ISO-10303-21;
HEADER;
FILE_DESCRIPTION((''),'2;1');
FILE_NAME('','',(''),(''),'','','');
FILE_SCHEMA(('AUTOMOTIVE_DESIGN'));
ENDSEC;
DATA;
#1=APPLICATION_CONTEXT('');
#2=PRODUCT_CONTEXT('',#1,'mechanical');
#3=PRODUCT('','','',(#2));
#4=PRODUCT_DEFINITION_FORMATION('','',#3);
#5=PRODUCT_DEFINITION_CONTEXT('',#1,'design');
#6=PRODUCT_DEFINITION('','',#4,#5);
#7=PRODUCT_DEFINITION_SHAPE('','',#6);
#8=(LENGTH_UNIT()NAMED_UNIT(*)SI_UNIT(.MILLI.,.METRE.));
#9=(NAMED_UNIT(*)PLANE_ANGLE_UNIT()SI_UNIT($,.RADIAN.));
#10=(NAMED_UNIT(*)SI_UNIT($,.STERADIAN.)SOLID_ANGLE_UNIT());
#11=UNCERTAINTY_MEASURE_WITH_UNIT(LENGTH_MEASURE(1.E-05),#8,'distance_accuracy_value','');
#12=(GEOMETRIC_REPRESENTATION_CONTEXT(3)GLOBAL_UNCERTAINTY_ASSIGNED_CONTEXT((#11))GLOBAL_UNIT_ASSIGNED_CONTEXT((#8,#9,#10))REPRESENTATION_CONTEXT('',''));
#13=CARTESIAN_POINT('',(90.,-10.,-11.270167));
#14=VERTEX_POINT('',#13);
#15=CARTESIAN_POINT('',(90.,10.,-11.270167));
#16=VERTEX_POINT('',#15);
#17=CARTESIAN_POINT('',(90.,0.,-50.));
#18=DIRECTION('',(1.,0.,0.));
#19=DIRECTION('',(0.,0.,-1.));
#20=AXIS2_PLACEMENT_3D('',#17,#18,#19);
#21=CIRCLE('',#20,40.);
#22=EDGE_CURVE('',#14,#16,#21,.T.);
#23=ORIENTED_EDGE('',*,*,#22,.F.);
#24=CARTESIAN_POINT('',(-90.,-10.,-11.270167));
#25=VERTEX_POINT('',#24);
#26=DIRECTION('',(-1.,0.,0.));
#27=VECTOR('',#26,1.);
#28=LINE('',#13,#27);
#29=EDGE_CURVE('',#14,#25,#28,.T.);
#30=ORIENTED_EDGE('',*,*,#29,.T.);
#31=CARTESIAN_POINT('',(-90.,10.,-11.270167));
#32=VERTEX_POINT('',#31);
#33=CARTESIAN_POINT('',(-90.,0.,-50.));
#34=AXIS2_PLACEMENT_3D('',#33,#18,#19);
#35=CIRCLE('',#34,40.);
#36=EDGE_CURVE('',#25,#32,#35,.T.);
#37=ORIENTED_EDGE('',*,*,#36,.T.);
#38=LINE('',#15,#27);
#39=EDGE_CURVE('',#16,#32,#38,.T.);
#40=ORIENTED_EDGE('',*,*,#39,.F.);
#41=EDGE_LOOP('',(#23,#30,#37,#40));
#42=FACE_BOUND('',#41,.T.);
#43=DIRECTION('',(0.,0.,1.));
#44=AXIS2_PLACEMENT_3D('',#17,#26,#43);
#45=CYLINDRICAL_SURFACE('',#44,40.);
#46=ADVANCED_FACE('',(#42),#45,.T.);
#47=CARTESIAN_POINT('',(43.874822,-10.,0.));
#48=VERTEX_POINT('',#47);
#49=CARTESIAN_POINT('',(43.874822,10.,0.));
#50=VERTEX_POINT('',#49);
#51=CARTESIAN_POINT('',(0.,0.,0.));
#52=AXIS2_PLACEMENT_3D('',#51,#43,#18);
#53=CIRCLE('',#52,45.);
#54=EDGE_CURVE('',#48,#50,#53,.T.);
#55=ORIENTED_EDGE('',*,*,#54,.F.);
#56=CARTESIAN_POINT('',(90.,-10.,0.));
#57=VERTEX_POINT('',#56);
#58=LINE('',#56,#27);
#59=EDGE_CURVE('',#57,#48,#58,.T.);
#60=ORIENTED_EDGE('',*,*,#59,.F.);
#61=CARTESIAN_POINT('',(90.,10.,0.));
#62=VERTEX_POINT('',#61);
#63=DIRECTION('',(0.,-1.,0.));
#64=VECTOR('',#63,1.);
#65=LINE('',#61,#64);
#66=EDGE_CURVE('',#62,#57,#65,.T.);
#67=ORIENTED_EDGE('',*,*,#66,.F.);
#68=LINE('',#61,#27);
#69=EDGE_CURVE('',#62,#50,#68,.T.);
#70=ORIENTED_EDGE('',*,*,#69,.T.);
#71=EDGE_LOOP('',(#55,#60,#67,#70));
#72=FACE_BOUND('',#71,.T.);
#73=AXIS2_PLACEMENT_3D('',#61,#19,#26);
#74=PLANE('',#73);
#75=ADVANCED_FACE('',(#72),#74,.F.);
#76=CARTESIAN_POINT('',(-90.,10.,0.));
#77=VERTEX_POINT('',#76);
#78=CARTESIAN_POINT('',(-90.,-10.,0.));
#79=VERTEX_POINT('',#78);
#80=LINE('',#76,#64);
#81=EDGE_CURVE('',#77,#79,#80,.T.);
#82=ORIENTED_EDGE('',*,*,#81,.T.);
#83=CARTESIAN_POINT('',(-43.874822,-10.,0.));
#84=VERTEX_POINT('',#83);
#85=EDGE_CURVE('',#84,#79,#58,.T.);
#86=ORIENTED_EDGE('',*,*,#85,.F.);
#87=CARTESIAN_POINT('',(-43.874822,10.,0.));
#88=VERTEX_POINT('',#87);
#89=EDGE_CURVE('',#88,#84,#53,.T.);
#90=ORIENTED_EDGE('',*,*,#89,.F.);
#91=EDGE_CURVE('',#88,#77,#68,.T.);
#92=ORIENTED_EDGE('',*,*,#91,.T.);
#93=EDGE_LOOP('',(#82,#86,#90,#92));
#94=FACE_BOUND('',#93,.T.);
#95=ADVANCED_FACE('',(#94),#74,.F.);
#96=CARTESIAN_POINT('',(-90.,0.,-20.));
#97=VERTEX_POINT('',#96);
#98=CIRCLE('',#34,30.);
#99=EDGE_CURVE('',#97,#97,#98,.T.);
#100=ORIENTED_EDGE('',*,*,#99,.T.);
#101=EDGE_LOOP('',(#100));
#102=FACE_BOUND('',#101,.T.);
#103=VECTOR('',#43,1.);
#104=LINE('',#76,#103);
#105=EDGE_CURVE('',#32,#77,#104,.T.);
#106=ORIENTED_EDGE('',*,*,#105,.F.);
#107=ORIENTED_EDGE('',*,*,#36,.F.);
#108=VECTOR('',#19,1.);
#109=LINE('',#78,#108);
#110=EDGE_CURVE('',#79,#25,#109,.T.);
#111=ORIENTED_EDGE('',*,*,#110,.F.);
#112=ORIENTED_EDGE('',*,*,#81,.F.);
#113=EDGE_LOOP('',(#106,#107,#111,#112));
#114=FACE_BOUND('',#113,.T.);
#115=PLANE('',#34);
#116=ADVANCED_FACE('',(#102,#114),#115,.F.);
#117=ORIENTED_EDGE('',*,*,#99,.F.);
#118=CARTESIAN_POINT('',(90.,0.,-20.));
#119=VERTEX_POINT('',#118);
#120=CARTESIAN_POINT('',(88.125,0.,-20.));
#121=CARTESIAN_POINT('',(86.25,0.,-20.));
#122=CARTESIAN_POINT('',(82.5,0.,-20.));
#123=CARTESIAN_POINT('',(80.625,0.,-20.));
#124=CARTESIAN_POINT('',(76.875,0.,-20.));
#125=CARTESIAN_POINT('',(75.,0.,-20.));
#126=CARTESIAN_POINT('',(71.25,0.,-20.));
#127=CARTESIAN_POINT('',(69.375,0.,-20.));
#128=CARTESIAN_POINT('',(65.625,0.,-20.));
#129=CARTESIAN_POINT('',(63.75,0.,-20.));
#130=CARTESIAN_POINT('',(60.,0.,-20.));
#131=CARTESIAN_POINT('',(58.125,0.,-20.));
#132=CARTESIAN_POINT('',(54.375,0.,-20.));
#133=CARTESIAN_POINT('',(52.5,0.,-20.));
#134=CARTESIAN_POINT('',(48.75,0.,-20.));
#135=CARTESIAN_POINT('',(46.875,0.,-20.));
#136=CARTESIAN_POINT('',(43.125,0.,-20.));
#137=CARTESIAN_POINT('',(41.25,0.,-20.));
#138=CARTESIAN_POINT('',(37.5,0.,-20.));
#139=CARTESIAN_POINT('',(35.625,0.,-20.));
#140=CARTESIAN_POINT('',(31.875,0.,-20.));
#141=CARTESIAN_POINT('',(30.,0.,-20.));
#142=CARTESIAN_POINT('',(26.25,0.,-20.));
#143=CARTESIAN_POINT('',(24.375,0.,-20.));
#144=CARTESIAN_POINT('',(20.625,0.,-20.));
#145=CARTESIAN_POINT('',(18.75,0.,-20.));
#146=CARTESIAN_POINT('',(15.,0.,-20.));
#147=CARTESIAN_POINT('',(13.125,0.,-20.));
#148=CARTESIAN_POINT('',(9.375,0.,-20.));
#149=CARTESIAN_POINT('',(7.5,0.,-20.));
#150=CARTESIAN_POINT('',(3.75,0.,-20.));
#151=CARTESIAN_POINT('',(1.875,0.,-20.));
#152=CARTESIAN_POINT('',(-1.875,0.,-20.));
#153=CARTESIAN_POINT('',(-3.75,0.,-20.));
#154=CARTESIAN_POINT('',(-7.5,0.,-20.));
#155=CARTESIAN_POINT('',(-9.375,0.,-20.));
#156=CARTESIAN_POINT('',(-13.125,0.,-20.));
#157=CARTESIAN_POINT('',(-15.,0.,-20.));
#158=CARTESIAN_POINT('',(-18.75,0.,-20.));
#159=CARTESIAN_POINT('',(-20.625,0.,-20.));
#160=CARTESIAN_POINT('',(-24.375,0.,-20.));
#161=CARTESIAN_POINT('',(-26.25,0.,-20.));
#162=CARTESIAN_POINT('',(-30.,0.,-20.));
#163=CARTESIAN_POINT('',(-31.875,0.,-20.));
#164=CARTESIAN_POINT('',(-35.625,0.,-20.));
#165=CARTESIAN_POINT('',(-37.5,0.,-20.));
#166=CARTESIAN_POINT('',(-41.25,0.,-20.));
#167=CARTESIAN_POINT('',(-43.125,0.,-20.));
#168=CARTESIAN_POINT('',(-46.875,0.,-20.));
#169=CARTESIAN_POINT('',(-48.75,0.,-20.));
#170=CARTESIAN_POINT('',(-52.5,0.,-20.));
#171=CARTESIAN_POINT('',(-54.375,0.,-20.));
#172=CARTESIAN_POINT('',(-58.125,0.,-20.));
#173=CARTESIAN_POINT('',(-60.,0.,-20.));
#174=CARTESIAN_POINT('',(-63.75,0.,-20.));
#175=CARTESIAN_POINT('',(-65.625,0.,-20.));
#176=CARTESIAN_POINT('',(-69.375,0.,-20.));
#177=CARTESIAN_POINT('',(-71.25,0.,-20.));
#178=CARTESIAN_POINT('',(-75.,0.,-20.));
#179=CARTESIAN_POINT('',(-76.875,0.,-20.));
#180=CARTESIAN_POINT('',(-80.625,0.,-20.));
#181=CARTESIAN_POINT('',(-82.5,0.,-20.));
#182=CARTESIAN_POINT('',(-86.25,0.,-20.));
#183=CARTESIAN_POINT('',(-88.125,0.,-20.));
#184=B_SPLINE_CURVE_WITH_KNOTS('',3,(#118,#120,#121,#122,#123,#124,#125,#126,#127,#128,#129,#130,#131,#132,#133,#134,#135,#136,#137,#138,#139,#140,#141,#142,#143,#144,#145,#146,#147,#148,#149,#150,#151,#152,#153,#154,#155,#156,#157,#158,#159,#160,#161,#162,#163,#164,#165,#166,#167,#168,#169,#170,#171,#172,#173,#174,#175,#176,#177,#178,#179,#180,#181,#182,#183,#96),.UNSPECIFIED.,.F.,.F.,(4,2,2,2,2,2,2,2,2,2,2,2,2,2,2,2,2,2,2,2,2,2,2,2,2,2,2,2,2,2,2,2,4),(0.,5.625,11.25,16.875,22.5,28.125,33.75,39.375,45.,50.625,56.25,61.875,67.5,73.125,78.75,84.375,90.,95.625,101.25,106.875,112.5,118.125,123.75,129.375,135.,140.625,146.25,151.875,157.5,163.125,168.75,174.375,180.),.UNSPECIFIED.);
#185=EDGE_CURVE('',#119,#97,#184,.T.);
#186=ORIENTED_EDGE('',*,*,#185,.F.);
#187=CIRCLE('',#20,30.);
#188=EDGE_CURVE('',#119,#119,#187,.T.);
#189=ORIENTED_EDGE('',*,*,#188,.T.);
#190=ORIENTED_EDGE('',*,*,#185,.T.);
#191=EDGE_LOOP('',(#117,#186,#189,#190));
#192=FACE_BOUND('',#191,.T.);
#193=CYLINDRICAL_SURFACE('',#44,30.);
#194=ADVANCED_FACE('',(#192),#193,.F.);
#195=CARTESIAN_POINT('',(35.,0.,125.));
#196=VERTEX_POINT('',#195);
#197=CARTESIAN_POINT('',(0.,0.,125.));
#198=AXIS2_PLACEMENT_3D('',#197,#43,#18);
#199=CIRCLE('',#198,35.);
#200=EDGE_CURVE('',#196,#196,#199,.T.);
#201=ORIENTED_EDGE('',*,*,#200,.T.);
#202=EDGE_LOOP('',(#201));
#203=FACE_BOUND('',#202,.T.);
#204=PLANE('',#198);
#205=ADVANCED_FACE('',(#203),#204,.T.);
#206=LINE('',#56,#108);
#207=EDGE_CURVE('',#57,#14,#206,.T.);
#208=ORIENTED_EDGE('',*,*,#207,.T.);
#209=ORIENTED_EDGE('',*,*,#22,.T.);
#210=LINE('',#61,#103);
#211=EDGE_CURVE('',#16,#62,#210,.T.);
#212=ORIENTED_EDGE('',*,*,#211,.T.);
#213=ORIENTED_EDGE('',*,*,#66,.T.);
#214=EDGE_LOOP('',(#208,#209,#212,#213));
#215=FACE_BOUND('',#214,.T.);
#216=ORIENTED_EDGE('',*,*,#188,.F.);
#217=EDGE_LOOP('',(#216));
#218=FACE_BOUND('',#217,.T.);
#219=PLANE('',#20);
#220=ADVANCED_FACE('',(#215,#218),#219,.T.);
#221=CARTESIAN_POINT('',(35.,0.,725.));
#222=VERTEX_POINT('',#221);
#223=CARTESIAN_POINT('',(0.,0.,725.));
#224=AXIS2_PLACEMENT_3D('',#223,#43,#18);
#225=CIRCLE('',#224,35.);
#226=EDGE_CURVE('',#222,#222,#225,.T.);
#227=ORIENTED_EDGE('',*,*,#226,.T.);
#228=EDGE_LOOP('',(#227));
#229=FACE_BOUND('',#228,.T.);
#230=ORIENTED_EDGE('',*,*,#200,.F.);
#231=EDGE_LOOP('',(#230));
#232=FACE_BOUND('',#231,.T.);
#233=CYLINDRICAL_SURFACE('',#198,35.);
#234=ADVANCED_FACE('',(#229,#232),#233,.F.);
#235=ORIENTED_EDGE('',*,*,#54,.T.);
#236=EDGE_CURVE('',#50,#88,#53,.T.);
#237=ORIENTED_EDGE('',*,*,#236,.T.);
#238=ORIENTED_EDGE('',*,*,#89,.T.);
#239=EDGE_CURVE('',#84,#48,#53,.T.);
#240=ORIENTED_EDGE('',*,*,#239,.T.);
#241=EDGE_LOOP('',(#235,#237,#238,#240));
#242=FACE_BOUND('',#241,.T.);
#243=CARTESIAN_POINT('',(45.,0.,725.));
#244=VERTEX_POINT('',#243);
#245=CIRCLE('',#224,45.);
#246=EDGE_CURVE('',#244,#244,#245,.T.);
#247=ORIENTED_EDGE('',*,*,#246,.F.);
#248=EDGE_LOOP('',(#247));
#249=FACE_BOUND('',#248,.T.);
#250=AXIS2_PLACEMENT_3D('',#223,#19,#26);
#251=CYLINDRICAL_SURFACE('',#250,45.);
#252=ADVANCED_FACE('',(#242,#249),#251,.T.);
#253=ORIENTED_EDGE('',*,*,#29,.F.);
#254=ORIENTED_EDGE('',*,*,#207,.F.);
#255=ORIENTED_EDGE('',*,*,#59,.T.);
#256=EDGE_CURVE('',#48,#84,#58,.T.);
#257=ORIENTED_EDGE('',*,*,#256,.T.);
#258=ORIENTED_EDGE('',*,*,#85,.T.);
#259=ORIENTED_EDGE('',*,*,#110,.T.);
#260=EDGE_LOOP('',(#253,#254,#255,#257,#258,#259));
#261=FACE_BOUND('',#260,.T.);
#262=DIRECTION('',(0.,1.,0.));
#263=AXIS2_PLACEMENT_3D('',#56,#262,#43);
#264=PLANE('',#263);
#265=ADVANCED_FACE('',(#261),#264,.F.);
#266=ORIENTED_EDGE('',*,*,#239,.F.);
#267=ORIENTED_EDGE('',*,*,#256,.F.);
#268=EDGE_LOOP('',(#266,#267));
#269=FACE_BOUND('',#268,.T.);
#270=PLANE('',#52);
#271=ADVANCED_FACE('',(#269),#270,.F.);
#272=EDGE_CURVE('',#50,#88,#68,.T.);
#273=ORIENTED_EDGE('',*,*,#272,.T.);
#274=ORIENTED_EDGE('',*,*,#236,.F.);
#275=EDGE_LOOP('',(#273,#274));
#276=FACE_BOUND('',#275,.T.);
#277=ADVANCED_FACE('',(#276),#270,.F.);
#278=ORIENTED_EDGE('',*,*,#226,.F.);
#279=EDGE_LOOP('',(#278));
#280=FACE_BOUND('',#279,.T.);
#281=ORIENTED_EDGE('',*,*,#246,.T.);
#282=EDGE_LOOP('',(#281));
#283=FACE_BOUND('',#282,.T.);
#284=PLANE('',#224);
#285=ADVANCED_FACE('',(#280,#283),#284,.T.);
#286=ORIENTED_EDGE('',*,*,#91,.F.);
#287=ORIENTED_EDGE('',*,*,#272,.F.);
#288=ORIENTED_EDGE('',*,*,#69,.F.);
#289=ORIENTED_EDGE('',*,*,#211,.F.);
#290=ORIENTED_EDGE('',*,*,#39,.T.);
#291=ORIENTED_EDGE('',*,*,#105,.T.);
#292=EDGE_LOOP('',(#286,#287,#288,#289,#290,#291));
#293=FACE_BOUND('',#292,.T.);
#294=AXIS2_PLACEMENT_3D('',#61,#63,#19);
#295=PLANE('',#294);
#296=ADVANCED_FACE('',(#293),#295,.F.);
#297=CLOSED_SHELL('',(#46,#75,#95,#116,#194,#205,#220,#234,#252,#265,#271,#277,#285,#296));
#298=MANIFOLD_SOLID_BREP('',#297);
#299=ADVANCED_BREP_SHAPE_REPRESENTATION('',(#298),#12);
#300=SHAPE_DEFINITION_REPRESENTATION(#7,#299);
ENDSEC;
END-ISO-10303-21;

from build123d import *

# Parameters (mm, degrees)
IZIM1_R                     = 45
Y_KSEKLIK_EKSTR_ZYON1_DEPTH = 725
IZIM2_R                     = 35
KES_EKSTR_ZYON1_DEPTH       = 600
IZIM3_R                     = 30
Y_KSEKLIK_EKSTR_ZYON2_DEPTH = 90


with BuildPart() as part:
    # Çizim1 → Yükseklik-Ekstrüzyon1 (new body)
    with BuildSketch(Plane.XY):
        Circle(IZIM1_R)
    extrude(amount=Y_KSEKLIK_EKSTR_ZYON1_DEPTH)

    # Çizim2 → Kes-Ekstrüzyon1 (cut)
    with BuildSketch(Plane.XY.offset(725)):
        Circle(IZIM2_R)
    extrude(amount=-KES_EKSTR_ZYON1_DEPTH, mode=Mode.SUBTRACT)

    # Çizim3 → Yükseklik-Ekstrüzyon2 (add, symmetric)
    with BuildSketch(Plane(origin=(0, 0, 0), x_dir=(0, 0, -1), z_dir=(1, 0, 0))):
        with BuildLine():
            Line((0, 10), (11.270166538, 10))
            ThreePointArc((11.270166538, 10), (90, 0), (11.270166538, -10))
            Line((11.270166538, -10), (0, -10))
            Line((0, -10), (0, 10))
        make_face()
        with Locations(Location((50, 0, 0), (0, 0, 180))):
            Circle(IZIM3_R, mode=Mode.SUBTRACT)
    extrude(amount=Y_KSEKLIK_EKSTR_ZYON2_DEPTH, both=True)


solid = part.part
